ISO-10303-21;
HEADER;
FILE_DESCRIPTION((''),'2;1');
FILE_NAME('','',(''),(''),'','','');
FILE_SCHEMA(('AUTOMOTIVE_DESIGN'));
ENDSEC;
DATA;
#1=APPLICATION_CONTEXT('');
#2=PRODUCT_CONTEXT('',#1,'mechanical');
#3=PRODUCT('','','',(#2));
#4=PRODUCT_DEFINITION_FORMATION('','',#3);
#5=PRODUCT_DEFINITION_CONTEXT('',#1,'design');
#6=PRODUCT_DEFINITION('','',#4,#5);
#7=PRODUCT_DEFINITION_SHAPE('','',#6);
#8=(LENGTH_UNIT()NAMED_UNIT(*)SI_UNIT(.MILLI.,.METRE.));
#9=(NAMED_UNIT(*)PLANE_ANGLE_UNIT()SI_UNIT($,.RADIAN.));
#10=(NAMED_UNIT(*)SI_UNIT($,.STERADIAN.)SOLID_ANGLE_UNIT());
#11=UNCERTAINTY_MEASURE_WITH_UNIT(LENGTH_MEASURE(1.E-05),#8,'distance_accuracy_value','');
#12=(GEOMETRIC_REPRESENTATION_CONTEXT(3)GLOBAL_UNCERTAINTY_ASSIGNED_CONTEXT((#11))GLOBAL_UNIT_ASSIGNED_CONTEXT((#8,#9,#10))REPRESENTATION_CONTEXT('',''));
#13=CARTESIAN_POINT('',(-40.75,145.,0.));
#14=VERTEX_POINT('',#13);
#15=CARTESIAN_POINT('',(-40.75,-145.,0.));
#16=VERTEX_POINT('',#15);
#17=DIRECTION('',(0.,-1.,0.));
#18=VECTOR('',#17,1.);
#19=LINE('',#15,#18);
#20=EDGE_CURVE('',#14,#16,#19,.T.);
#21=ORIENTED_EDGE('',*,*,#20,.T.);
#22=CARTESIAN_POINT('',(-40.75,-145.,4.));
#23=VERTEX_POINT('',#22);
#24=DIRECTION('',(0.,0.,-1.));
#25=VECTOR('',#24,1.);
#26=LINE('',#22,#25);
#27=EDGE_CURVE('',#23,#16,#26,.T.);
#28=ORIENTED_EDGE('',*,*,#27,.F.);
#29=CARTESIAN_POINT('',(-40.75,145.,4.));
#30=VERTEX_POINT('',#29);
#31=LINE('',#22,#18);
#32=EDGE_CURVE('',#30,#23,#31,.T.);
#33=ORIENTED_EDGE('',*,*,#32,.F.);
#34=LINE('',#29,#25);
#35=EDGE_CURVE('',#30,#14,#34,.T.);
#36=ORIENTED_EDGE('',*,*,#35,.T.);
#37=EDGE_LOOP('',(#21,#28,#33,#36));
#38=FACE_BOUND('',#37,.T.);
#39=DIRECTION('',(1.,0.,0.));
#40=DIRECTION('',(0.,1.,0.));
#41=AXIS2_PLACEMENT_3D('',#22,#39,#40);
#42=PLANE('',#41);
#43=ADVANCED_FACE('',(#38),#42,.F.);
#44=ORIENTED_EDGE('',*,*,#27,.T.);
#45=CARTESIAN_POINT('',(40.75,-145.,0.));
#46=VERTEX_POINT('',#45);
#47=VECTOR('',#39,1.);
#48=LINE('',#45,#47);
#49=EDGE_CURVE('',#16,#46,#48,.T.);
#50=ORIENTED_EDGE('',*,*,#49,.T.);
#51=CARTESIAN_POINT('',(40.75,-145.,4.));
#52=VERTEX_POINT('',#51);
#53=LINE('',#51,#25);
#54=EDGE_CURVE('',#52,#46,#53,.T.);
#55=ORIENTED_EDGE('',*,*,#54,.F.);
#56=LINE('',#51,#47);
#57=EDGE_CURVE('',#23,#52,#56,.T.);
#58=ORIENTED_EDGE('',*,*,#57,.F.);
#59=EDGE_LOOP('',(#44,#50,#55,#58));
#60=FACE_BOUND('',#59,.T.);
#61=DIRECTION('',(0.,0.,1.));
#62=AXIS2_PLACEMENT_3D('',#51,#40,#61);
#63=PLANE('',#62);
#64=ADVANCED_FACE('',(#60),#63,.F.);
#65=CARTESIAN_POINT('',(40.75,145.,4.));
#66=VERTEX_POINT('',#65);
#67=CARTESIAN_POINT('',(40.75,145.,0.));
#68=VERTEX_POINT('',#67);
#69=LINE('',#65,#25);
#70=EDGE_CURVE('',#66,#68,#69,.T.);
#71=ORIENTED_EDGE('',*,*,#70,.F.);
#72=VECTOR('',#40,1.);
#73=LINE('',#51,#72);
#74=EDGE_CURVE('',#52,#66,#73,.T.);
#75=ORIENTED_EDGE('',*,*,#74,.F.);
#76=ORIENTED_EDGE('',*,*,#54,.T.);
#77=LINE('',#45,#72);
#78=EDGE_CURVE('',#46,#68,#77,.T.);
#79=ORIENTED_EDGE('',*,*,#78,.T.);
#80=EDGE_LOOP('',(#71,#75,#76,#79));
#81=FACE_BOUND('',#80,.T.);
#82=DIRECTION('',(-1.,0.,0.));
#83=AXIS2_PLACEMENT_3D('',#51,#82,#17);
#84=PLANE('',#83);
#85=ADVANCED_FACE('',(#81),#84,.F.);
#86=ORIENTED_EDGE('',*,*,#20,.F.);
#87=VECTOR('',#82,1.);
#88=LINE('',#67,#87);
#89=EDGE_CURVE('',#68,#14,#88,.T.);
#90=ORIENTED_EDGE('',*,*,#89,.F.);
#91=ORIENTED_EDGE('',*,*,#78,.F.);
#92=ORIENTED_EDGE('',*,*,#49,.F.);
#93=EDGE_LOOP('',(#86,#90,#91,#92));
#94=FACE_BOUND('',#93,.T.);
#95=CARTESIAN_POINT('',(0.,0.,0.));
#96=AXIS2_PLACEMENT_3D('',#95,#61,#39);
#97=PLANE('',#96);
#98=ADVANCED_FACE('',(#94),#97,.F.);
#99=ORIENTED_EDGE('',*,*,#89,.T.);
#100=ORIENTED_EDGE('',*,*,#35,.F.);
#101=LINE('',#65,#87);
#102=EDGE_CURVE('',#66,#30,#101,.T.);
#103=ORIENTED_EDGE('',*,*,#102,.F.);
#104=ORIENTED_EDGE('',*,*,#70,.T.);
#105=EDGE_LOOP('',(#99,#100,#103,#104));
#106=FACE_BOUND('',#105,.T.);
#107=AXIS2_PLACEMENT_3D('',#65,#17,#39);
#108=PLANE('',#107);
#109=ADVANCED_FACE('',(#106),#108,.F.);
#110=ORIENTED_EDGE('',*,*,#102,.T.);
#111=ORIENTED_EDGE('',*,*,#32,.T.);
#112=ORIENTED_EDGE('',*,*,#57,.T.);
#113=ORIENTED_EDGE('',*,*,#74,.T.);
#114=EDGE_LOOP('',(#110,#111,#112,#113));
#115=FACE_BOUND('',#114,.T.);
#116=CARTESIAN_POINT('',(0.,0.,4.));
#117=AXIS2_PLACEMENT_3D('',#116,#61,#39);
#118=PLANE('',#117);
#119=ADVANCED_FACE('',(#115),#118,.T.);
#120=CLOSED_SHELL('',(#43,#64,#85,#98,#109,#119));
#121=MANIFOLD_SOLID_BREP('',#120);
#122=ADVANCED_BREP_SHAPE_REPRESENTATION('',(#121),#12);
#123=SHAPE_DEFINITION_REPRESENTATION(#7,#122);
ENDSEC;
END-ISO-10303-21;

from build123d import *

# Parameters (mm, degrees)
SKETCH_1_W      = 81.5
SKETCH_1_H      = 290
EXTRUDE_1_DEPTH = 4


with BuildPart() as part:
    # 草图1 → 凸台-拉伸1 (new body)
    with BuildSketch(Plane.XY):
        Rectangle(SKETCH_1_W, SKETCH_1_H)
    extrude(amount=EXTRUDE_1_DEPTH)


solid = part.part
